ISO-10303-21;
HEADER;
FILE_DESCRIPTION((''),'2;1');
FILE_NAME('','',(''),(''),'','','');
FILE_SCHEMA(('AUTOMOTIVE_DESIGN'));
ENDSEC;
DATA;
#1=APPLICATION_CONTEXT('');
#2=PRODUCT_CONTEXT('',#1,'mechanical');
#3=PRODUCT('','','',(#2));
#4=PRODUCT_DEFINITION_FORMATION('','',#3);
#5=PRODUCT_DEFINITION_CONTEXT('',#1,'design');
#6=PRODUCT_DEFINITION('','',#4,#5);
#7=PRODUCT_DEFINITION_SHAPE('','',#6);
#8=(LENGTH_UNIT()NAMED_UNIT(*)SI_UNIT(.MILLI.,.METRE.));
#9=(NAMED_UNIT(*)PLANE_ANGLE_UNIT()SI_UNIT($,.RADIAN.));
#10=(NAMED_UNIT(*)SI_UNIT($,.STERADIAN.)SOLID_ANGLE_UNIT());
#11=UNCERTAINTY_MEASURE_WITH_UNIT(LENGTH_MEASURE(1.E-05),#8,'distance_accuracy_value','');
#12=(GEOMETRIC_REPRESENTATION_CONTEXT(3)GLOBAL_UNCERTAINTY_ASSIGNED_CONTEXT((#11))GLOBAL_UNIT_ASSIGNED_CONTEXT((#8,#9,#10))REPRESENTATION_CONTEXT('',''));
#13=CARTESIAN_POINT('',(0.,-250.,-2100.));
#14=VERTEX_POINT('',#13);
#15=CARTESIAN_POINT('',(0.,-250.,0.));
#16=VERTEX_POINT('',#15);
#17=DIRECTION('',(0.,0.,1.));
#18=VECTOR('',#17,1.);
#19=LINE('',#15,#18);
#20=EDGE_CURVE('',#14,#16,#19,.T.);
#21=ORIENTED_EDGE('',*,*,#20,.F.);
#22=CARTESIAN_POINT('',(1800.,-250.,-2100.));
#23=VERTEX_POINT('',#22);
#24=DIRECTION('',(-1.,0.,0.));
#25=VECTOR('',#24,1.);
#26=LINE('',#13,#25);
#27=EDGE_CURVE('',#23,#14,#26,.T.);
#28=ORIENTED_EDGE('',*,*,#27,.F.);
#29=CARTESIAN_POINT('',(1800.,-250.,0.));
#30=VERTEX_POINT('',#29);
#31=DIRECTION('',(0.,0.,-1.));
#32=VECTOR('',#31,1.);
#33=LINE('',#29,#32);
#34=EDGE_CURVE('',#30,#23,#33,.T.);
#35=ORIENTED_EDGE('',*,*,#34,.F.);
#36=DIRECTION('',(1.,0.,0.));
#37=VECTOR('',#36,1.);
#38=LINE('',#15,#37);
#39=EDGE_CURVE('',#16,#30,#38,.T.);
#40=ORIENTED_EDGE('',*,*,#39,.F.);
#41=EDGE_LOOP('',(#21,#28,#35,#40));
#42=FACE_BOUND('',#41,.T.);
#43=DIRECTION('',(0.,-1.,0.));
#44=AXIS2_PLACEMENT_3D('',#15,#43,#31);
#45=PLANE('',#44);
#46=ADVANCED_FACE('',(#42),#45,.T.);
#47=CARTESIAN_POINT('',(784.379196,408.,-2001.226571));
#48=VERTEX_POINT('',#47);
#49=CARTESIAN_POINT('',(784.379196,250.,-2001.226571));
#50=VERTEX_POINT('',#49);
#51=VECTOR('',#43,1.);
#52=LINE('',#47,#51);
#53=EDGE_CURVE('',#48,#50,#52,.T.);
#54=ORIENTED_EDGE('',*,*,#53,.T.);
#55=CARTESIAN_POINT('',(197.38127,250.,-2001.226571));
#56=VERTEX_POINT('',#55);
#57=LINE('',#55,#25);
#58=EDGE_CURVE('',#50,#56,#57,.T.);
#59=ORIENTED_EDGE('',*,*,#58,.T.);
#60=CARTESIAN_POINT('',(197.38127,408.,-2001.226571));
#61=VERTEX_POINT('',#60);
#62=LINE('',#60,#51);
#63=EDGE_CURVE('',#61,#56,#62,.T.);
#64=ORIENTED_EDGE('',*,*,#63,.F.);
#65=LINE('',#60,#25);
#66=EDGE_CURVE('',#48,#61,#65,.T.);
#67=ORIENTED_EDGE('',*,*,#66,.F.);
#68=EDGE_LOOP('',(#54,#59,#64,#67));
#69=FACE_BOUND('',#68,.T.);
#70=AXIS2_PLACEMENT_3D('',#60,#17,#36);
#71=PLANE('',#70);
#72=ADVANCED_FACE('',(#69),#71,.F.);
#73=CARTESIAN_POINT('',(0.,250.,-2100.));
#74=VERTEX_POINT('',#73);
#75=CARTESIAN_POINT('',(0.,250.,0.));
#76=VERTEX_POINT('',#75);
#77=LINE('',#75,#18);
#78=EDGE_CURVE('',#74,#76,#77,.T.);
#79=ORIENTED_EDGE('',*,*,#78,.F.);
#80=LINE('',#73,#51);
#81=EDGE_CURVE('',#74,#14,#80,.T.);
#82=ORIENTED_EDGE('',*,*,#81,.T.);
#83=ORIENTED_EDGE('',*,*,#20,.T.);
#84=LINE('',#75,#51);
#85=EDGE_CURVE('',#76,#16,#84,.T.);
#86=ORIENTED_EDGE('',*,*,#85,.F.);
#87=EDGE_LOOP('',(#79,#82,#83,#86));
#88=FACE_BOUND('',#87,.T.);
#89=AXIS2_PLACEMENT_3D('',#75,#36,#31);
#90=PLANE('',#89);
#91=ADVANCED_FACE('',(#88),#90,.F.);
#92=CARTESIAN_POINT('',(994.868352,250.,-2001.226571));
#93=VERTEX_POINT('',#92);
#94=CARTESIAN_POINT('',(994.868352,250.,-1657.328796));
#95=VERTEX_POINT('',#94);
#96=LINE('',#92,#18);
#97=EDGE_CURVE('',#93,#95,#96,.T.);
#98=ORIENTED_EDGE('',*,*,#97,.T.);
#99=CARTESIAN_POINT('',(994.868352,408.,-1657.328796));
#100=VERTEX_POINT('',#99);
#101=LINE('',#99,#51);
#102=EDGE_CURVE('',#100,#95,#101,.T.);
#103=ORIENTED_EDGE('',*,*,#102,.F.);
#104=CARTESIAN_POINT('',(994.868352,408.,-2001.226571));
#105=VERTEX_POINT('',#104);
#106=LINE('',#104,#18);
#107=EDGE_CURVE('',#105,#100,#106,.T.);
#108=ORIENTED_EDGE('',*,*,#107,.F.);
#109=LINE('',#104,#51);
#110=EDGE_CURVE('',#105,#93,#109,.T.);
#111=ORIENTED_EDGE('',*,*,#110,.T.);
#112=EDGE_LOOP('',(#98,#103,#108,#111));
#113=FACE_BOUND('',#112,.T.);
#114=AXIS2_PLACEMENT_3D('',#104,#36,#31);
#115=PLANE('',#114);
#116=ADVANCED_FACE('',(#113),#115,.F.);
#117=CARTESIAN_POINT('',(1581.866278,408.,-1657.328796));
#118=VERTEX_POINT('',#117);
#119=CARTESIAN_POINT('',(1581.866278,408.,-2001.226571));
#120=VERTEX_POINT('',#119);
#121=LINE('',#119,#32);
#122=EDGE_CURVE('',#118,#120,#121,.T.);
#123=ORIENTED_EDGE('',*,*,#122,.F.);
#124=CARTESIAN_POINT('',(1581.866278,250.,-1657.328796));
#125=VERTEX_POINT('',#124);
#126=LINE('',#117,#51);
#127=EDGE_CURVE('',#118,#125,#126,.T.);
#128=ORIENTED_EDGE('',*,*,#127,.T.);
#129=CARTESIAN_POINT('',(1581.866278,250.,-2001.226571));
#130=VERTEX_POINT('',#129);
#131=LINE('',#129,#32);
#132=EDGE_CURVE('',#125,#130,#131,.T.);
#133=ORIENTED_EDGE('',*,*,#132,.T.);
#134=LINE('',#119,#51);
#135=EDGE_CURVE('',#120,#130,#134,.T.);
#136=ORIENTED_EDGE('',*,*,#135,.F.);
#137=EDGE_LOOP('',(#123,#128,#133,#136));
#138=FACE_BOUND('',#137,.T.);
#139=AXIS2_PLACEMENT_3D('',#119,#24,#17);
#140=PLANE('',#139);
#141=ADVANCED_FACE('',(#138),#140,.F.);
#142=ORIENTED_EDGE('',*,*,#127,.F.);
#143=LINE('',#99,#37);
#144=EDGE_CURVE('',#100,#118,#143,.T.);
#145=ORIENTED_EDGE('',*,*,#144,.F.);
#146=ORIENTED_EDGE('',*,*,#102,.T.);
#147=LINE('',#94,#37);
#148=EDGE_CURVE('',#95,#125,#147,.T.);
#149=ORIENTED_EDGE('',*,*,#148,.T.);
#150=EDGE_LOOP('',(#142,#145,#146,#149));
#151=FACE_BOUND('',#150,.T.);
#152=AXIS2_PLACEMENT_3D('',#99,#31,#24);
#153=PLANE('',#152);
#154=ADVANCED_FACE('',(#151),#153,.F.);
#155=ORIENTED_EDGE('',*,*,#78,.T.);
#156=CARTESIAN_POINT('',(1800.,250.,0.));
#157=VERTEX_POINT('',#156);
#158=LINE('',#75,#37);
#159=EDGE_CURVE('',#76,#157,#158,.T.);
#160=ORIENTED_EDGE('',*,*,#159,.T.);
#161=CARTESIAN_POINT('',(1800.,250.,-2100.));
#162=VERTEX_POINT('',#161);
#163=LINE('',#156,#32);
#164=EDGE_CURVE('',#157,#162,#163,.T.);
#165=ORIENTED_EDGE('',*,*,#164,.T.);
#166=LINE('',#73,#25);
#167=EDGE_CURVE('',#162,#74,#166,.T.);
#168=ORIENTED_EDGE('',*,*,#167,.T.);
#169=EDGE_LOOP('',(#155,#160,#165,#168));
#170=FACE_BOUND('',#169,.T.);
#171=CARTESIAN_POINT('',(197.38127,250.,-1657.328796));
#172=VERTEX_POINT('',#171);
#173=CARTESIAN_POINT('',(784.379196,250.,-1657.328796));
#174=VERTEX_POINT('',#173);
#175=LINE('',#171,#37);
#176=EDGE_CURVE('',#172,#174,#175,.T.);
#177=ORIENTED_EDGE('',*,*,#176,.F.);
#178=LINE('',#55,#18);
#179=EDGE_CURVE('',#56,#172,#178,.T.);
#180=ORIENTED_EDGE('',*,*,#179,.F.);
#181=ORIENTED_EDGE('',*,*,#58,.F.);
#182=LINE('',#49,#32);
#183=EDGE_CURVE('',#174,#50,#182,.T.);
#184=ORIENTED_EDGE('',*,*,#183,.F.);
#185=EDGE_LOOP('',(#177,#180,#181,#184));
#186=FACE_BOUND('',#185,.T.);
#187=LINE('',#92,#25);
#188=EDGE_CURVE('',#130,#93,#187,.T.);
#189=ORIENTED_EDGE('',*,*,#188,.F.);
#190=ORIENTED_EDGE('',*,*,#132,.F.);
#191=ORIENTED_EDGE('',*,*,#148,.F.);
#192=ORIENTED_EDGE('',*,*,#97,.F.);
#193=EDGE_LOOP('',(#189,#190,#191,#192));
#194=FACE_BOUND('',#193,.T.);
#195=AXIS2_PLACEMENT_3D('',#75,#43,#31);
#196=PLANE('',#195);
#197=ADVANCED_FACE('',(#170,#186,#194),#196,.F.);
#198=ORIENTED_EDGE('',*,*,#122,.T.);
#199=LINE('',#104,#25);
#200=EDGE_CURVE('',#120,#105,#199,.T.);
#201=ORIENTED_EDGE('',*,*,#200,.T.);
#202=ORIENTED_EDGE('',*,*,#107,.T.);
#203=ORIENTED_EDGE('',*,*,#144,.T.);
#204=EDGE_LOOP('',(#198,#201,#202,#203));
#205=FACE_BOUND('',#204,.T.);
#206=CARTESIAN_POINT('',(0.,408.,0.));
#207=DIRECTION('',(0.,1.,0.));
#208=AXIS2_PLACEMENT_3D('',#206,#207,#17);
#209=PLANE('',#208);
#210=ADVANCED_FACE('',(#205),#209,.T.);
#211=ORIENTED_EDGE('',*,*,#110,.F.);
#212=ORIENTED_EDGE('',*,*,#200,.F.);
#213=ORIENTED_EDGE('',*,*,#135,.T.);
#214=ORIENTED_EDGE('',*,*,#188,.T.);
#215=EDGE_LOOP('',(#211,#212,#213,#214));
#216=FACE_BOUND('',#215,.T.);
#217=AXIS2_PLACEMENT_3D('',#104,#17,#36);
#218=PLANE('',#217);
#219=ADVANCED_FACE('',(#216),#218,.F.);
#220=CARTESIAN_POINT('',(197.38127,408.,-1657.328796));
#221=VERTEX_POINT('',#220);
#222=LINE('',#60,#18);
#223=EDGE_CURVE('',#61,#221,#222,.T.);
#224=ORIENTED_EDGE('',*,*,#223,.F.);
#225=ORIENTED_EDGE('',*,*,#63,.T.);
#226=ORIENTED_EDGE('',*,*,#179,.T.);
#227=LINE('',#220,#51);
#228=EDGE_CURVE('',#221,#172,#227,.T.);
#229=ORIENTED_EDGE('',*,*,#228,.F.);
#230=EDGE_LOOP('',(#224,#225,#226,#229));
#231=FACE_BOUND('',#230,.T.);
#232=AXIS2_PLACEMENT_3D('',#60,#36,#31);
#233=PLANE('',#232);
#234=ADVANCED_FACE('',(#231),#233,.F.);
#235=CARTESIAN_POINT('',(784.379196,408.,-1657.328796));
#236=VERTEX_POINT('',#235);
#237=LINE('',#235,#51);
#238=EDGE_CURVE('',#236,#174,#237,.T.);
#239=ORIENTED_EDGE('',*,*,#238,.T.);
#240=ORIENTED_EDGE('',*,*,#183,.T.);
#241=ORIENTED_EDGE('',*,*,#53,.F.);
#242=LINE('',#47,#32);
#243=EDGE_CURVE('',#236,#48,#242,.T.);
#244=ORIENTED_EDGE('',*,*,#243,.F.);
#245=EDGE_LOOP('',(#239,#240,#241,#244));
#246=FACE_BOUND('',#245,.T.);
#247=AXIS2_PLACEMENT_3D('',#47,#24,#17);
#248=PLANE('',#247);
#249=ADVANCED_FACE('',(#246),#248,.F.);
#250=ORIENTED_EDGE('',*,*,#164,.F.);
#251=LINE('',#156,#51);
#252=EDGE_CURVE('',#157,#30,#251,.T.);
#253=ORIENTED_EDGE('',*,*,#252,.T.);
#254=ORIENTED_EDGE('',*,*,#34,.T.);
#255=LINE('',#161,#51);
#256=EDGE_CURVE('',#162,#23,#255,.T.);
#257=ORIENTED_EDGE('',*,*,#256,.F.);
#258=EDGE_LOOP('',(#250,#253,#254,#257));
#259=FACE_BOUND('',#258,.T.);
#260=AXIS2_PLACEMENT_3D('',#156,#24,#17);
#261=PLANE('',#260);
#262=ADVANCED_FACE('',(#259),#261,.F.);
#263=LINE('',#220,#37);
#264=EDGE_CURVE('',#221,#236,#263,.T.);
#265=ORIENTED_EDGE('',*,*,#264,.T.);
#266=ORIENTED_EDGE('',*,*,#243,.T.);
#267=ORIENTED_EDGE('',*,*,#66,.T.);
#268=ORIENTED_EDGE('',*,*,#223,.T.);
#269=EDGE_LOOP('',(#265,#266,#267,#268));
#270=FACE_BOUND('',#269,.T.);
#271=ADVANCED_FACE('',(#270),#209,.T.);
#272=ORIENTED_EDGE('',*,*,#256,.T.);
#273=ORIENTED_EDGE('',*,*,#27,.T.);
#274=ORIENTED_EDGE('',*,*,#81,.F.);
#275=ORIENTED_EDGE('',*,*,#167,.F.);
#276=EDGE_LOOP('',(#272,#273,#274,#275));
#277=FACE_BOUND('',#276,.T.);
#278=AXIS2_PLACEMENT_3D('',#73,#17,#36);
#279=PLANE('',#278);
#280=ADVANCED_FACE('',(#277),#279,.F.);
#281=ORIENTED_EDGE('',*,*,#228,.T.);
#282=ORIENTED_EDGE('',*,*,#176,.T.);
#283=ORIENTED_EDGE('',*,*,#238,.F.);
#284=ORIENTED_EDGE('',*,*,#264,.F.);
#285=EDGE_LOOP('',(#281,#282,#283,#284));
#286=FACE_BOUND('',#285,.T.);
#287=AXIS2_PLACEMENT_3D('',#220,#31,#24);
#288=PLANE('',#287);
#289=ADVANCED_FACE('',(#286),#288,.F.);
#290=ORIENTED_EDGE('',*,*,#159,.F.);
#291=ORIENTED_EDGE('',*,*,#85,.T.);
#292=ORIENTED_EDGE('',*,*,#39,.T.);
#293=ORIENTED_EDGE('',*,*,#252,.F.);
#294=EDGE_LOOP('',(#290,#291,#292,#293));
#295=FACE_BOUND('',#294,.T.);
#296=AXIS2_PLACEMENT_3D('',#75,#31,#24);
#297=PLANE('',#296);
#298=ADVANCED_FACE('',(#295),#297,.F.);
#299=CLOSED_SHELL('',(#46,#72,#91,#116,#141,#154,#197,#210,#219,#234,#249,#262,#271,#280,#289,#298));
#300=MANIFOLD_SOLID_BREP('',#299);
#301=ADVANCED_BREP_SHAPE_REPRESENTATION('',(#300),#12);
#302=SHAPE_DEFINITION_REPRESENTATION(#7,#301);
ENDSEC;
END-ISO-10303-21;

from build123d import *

# Parameters (mm, degrees)
SKETCH_1_W      = 1800
SKETCH_1_H      = 2100
EXTRUDE_1_DEPTH = 250
SKETCH_2_W      = 586.997926232
SKETCH_2_H      = 343.897774964
EXTRUDE_2_DEPTH = 158


with BuildPart() as part:
    # Эскиз1 → Бобышка-Вытянуть1 (new, symmetric)
    with BuildSketch(Plane(origin=(0, 0, 0), x_dir=(1, 0, 0), z_dir=(0, 1, 0))):
        with Locations((900, 1050)):
            Rectangle(SKETCH_1_W, SKETCH_1_H)
    extrude(amount=EXTRUDE_1_DEPTH, both=True)

    # Эскиз2 → Бобышка-Вытянуть2 (add)
    with BuildSketch(Plane(origin=(0, 250, 0), x_dir=(1, 0, 0), z_dir=(0, 1, 0))):
        with Locations((490.880233232, 1829.277683609)):
            Rectangle(SKETCH_2_W, SKETCH_2_H)
        with Locations((1288.36731483, 1829.277683609)):
            Rectangle(SKETCH_2_W, SKETCH_2_H)
    extrude(amount=EXTRUDE_2_DEPTH)


solid = part.part
